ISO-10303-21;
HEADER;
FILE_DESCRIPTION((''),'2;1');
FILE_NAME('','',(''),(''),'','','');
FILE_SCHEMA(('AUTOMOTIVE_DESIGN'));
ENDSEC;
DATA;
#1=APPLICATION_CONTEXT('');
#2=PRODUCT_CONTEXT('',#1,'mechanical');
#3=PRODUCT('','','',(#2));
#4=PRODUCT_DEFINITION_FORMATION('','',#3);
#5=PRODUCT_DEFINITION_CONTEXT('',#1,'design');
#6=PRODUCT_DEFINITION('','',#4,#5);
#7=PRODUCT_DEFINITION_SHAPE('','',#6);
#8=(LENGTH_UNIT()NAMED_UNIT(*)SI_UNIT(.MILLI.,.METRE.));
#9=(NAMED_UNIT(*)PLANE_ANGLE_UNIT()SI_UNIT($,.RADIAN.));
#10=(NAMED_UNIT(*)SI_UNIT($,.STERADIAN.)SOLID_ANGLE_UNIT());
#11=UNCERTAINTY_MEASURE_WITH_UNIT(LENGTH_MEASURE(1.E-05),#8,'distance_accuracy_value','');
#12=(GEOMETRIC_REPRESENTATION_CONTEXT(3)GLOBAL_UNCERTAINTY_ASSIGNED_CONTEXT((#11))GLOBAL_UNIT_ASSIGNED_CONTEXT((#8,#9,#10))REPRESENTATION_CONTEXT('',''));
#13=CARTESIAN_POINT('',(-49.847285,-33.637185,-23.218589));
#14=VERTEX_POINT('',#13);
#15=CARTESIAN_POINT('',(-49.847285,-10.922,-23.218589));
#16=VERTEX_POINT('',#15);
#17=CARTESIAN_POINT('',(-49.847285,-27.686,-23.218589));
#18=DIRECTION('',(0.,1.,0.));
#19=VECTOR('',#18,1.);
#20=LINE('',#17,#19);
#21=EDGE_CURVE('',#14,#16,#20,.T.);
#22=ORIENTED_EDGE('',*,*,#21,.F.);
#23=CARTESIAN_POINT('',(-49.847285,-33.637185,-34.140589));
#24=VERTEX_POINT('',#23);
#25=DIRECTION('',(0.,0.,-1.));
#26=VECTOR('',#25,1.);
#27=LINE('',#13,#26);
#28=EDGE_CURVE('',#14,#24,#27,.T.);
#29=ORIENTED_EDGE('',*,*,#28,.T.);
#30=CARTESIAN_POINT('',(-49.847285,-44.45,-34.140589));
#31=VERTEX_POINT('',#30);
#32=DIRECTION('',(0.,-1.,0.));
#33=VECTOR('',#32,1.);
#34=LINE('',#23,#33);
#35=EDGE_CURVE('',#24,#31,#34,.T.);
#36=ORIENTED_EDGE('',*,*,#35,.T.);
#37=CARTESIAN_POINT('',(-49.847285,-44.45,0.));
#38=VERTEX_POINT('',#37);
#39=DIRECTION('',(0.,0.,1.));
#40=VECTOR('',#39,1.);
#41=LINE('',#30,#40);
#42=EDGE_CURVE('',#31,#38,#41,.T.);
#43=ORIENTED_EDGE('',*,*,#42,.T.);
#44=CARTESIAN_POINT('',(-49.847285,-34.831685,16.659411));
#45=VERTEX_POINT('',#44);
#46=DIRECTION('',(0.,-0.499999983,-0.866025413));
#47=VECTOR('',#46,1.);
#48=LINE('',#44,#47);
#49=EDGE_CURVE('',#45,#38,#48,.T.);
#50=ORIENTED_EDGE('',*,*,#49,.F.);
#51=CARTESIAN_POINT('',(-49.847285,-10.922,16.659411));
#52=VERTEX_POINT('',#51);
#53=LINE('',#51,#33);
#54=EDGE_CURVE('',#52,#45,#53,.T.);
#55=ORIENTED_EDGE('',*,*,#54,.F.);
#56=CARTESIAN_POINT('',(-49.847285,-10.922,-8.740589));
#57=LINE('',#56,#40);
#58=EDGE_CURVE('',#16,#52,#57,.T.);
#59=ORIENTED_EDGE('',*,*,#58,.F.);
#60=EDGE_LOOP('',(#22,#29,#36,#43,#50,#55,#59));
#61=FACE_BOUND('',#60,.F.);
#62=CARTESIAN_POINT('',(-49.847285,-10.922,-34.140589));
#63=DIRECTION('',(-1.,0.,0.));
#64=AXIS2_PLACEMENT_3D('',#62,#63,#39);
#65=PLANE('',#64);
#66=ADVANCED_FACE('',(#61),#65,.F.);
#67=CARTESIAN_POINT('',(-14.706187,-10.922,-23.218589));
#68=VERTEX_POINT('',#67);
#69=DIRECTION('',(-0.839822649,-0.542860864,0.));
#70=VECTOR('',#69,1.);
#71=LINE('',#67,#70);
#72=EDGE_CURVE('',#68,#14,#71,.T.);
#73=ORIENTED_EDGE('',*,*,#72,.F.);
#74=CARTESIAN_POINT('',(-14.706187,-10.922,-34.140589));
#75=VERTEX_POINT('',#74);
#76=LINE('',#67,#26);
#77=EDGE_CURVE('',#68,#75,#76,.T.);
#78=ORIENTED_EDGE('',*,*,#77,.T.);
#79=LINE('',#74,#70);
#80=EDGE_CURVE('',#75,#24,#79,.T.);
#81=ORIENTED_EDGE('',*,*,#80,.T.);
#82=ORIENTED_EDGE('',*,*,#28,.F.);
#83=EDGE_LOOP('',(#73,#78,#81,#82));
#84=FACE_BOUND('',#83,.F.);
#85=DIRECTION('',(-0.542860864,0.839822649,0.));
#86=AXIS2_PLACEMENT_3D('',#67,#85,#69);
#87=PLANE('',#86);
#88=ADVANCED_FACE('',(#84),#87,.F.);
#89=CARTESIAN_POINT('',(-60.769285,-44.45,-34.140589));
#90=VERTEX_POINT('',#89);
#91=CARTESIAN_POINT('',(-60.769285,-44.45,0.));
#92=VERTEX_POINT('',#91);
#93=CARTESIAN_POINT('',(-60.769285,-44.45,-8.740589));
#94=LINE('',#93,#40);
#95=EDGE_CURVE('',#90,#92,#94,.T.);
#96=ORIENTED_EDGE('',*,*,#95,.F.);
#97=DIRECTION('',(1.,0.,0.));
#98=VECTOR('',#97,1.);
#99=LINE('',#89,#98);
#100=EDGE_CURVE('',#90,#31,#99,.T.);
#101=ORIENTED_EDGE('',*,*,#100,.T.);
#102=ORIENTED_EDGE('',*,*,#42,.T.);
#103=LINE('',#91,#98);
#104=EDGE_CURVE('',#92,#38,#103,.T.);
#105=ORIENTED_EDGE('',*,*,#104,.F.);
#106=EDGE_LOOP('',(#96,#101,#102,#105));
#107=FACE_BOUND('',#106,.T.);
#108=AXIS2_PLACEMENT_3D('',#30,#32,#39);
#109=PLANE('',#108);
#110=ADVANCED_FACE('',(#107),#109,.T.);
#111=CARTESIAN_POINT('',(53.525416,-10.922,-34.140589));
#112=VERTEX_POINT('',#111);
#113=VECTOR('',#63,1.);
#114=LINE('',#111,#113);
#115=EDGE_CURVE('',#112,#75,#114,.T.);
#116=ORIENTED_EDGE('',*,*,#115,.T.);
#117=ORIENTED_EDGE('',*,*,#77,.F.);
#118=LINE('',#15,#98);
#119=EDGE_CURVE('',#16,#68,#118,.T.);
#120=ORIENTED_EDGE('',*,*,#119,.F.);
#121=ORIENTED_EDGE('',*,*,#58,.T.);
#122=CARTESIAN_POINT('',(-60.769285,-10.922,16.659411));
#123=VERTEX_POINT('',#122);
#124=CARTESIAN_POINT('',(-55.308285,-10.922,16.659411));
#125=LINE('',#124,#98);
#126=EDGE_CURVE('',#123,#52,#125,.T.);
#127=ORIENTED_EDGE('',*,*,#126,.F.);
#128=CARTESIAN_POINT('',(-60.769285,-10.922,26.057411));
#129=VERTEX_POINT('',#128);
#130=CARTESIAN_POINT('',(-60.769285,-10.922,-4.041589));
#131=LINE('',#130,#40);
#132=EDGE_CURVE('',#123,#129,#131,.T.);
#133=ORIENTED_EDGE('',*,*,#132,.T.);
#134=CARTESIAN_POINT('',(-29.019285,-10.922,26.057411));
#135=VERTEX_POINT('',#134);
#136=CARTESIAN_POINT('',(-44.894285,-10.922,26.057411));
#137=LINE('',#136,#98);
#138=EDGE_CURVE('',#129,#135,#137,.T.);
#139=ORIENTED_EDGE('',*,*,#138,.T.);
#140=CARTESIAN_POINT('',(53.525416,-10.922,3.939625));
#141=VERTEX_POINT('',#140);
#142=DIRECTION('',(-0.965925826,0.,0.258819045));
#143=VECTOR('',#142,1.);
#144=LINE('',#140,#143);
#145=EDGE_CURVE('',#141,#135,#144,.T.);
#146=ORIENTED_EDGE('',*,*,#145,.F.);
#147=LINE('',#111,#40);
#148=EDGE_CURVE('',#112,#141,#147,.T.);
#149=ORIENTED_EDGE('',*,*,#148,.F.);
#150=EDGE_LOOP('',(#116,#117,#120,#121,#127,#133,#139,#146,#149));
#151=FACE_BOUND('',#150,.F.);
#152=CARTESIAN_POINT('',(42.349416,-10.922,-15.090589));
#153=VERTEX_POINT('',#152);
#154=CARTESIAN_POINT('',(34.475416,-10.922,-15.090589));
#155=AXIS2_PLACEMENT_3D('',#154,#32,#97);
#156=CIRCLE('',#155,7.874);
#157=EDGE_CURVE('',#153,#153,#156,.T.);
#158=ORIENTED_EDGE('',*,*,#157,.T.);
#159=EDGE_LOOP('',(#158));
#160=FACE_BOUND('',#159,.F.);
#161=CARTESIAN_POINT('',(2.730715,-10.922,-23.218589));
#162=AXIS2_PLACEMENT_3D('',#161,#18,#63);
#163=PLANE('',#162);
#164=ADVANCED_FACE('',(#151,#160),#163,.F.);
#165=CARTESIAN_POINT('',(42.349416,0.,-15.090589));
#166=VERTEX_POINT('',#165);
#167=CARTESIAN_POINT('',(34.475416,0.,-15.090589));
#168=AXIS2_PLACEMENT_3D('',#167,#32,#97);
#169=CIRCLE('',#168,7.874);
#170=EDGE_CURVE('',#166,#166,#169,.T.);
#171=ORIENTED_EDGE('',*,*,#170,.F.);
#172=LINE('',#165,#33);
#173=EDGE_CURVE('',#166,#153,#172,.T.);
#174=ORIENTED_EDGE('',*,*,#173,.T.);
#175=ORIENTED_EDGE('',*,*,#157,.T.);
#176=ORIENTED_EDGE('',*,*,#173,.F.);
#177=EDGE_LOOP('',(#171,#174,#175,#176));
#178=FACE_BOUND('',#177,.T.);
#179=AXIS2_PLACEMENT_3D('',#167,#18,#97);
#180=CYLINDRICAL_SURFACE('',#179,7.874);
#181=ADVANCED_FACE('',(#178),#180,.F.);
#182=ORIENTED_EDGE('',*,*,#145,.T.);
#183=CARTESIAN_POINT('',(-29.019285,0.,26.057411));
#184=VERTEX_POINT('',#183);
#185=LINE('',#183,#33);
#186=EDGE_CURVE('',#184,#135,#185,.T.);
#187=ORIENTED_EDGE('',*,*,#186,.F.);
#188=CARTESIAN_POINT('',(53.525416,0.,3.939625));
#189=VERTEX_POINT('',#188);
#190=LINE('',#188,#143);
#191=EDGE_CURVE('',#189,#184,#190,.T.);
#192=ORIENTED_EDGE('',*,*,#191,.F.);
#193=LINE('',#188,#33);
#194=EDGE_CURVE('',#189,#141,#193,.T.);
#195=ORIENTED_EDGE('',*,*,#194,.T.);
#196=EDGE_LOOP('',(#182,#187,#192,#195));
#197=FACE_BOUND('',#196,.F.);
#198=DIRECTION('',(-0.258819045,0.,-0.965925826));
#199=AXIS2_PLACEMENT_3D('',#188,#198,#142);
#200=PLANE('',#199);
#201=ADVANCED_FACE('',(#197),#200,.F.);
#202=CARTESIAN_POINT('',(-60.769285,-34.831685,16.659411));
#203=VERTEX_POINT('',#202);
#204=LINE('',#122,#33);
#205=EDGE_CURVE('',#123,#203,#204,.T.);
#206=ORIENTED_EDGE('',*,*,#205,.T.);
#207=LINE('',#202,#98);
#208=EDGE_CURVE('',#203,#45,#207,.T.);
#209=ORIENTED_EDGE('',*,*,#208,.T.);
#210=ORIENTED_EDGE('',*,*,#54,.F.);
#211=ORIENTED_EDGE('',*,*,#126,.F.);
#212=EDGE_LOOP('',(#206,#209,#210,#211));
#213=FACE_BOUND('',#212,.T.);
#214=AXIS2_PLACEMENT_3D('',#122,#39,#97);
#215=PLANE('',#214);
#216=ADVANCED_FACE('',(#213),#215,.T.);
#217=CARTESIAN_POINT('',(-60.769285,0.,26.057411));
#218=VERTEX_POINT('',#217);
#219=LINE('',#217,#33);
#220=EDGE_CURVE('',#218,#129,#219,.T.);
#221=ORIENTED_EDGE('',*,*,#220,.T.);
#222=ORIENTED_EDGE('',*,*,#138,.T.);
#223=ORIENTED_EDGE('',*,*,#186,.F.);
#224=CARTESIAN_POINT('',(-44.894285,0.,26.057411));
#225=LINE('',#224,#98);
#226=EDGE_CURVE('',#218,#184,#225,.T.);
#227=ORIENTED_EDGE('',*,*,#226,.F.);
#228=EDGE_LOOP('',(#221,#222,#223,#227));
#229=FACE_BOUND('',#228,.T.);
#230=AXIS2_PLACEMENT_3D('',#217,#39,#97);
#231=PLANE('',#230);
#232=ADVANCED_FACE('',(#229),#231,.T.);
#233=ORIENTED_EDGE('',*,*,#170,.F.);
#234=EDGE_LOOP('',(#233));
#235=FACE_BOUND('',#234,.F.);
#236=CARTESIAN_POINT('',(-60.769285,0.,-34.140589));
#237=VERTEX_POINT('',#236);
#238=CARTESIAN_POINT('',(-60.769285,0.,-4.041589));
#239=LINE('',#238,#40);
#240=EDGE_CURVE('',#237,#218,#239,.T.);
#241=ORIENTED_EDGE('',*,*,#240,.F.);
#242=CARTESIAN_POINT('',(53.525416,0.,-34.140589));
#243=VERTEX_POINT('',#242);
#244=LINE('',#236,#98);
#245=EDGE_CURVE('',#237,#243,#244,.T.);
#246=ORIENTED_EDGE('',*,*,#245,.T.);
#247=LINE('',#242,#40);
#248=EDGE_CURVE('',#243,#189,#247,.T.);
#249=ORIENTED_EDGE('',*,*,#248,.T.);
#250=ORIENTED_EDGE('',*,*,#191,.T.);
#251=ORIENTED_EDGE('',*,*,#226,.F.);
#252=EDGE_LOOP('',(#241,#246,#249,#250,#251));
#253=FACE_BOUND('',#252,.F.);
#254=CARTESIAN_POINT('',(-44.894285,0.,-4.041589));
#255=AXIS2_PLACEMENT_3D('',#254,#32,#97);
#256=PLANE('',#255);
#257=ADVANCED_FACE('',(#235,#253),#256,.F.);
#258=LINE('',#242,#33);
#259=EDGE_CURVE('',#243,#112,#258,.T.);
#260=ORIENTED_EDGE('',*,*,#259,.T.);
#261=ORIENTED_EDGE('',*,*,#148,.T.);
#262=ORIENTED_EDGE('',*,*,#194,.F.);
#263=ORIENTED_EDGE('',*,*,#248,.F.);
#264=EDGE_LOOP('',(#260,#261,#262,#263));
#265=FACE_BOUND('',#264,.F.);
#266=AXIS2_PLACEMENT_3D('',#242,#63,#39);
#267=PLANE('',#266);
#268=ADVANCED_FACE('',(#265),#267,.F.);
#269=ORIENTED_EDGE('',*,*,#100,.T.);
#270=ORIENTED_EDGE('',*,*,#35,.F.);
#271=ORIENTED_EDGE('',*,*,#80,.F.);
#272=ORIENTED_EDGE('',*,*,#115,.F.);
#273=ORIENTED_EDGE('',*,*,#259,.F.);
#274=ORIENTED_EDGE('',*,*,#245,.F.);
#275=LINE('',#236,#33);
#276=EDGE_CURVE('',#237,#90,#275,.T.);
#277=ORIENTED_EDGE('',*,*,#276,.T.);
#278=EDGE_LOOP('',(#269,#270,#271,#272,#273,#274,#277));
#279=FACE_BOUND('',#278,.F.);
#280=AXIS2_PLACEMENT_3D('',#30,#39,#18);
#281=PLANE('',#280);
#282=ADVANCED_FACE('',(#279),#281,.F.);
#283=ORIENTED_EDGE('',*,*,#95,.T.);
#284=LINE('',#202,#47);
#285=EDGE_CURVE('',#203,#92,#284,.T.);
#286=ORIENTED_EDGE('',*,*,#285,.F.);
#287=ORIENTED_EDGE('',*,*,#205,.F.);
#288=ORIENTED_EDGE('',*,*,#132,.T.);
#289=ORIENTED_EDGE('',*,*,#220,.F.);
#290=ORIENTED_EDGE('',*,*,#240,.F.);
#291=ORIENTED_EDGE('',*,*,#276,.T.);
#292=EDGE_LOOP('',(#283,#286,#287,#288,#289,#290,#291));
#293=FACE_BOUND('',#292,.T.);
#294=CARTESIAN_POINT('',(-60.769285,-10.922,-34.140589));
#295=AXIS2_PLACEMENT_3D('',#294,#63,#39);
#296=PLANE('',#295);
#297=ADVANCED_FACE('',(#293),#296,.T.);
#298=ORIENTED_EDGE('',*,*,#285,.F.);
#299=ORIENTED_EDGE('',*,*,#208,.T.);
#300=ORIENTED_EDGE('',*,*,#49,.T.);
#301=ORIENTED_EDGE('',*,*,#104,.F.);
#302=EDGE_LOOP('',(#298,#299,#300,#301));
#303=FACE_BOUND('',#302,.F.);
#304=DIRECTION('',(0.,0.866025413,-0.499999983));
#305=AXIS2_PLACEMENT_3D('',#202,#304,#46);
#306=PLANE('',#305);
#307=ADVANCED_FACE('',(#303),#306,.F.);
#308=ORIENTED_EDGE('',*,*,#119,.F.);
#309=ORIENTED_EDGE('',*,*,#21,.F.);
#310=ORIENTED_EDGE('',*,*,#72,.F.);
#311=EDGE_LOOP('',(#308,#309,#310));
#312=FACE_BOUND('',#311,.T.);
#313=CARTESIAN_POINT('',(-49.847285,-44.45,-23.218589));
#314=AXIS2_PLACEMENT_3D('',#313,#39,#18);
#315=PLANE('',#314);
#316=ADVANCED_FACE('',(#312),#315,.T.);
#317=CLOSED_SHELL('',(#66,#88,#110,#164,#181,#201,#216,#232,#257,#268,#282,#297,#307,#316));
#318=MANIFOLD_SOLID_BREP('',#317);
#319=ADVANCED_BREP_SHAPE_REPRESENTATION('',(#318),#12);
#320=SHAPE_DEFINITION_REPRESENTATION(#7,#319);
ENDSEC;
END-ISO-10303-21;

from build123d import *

# Parameters (mm, degrees)
F0_W      = 31.75
F0_H      = 60.198
F0_R      = 7.874
F1_DEPTH  = 10.922
F2_DEPTH  = 10.922
F3_W      = 10.922
F3_H      = 50.8
F4_DEPTH  = 33.528
F6_DEPTH  = 10.922
F7_W      = 33.528
F7_H      = 10.922
F8_DEPTH  = 52.578
F10_DEPTH = 10.922


with BuildPart() as f1:
    # F0 (on Front) → F1 (new body)
    with BuildSketch(Plane.XZ):
        with Locations((-44.894285, -4.041589)):
            Rectangle(F0_W, F0_H)
        Polygon((-29.019285, 26.057411), (-29.019285, -34.140589), (53.525416, -34.140589), (53.525416, 3.939625), align=None)
        with Locations((34.475416, -15.090589)):
            Circle(F0_R, mode=Mode.SUBTRACT)
    extrude(amount=F1_DEPTH)

    # F0 (on Front) → F2 (cut)
    with BuildSketch(Plane.XZ):
        with Locations((-44.894285, -4.041589)):
            Rectangle(F0_W, F0_H)
        Polygon((-29.019285, 26.057411), (-29.019285, -34.140589), (53.525416, -34.140589), (53.525416, 3.939625), align=None)
        with Locations((34.475416, -15.090589)):
            Circle(F0_R, mode=Mode.SUBTRACT)
    extrude(amount=-F2_DEPTH, mode=Mode.SUBTRACT)

    # F3 (on face) → F4 (join)
    with BuildSketch(Plane.XZ.offset(10.922)):
        with Locations((-55.308285, -8.740589)):
            Rectangle(F3_W, F3_H)
    extrude(amount=F4_DEPTH)

    # F5 (on face) → F6 (cut)
    with BuildSketch(Plane(origin=(-60.769285, 0, 0), x_dir=(0, -1, 0), z_dir=(-1, 0, 0))):
        Polygon((34.831685, 16.659411), (44.45, 0), (44.45, 16.659411), align=None)
    extrude(amount=-F6_DEPTH, mode=Mode.SUBTRACT)

    # F7 (on face) → F8 (join)
    with BuildSketch(Plane.YZ.offset(-49.847285)):
        with Locations((-27.686, -28.679589)):
            Rectangle(F7_W, F7_H)
    extrude(amount=F8_DEPTH)

    # F9 (on face) → F10 (cut)
    with BuildSketch(Plane.XY.offset(-23.218589)):
        Polygon((-14.706187, -10.922), (-49.847285, -33.637185), (-49.847285, -44.45), (2.730715, -44.45), (2.730715, -10.922), align=None)
    extrude(amount=-F10_DEPTH, mode=Mode.SUBTRACT)


solid = f1.part
